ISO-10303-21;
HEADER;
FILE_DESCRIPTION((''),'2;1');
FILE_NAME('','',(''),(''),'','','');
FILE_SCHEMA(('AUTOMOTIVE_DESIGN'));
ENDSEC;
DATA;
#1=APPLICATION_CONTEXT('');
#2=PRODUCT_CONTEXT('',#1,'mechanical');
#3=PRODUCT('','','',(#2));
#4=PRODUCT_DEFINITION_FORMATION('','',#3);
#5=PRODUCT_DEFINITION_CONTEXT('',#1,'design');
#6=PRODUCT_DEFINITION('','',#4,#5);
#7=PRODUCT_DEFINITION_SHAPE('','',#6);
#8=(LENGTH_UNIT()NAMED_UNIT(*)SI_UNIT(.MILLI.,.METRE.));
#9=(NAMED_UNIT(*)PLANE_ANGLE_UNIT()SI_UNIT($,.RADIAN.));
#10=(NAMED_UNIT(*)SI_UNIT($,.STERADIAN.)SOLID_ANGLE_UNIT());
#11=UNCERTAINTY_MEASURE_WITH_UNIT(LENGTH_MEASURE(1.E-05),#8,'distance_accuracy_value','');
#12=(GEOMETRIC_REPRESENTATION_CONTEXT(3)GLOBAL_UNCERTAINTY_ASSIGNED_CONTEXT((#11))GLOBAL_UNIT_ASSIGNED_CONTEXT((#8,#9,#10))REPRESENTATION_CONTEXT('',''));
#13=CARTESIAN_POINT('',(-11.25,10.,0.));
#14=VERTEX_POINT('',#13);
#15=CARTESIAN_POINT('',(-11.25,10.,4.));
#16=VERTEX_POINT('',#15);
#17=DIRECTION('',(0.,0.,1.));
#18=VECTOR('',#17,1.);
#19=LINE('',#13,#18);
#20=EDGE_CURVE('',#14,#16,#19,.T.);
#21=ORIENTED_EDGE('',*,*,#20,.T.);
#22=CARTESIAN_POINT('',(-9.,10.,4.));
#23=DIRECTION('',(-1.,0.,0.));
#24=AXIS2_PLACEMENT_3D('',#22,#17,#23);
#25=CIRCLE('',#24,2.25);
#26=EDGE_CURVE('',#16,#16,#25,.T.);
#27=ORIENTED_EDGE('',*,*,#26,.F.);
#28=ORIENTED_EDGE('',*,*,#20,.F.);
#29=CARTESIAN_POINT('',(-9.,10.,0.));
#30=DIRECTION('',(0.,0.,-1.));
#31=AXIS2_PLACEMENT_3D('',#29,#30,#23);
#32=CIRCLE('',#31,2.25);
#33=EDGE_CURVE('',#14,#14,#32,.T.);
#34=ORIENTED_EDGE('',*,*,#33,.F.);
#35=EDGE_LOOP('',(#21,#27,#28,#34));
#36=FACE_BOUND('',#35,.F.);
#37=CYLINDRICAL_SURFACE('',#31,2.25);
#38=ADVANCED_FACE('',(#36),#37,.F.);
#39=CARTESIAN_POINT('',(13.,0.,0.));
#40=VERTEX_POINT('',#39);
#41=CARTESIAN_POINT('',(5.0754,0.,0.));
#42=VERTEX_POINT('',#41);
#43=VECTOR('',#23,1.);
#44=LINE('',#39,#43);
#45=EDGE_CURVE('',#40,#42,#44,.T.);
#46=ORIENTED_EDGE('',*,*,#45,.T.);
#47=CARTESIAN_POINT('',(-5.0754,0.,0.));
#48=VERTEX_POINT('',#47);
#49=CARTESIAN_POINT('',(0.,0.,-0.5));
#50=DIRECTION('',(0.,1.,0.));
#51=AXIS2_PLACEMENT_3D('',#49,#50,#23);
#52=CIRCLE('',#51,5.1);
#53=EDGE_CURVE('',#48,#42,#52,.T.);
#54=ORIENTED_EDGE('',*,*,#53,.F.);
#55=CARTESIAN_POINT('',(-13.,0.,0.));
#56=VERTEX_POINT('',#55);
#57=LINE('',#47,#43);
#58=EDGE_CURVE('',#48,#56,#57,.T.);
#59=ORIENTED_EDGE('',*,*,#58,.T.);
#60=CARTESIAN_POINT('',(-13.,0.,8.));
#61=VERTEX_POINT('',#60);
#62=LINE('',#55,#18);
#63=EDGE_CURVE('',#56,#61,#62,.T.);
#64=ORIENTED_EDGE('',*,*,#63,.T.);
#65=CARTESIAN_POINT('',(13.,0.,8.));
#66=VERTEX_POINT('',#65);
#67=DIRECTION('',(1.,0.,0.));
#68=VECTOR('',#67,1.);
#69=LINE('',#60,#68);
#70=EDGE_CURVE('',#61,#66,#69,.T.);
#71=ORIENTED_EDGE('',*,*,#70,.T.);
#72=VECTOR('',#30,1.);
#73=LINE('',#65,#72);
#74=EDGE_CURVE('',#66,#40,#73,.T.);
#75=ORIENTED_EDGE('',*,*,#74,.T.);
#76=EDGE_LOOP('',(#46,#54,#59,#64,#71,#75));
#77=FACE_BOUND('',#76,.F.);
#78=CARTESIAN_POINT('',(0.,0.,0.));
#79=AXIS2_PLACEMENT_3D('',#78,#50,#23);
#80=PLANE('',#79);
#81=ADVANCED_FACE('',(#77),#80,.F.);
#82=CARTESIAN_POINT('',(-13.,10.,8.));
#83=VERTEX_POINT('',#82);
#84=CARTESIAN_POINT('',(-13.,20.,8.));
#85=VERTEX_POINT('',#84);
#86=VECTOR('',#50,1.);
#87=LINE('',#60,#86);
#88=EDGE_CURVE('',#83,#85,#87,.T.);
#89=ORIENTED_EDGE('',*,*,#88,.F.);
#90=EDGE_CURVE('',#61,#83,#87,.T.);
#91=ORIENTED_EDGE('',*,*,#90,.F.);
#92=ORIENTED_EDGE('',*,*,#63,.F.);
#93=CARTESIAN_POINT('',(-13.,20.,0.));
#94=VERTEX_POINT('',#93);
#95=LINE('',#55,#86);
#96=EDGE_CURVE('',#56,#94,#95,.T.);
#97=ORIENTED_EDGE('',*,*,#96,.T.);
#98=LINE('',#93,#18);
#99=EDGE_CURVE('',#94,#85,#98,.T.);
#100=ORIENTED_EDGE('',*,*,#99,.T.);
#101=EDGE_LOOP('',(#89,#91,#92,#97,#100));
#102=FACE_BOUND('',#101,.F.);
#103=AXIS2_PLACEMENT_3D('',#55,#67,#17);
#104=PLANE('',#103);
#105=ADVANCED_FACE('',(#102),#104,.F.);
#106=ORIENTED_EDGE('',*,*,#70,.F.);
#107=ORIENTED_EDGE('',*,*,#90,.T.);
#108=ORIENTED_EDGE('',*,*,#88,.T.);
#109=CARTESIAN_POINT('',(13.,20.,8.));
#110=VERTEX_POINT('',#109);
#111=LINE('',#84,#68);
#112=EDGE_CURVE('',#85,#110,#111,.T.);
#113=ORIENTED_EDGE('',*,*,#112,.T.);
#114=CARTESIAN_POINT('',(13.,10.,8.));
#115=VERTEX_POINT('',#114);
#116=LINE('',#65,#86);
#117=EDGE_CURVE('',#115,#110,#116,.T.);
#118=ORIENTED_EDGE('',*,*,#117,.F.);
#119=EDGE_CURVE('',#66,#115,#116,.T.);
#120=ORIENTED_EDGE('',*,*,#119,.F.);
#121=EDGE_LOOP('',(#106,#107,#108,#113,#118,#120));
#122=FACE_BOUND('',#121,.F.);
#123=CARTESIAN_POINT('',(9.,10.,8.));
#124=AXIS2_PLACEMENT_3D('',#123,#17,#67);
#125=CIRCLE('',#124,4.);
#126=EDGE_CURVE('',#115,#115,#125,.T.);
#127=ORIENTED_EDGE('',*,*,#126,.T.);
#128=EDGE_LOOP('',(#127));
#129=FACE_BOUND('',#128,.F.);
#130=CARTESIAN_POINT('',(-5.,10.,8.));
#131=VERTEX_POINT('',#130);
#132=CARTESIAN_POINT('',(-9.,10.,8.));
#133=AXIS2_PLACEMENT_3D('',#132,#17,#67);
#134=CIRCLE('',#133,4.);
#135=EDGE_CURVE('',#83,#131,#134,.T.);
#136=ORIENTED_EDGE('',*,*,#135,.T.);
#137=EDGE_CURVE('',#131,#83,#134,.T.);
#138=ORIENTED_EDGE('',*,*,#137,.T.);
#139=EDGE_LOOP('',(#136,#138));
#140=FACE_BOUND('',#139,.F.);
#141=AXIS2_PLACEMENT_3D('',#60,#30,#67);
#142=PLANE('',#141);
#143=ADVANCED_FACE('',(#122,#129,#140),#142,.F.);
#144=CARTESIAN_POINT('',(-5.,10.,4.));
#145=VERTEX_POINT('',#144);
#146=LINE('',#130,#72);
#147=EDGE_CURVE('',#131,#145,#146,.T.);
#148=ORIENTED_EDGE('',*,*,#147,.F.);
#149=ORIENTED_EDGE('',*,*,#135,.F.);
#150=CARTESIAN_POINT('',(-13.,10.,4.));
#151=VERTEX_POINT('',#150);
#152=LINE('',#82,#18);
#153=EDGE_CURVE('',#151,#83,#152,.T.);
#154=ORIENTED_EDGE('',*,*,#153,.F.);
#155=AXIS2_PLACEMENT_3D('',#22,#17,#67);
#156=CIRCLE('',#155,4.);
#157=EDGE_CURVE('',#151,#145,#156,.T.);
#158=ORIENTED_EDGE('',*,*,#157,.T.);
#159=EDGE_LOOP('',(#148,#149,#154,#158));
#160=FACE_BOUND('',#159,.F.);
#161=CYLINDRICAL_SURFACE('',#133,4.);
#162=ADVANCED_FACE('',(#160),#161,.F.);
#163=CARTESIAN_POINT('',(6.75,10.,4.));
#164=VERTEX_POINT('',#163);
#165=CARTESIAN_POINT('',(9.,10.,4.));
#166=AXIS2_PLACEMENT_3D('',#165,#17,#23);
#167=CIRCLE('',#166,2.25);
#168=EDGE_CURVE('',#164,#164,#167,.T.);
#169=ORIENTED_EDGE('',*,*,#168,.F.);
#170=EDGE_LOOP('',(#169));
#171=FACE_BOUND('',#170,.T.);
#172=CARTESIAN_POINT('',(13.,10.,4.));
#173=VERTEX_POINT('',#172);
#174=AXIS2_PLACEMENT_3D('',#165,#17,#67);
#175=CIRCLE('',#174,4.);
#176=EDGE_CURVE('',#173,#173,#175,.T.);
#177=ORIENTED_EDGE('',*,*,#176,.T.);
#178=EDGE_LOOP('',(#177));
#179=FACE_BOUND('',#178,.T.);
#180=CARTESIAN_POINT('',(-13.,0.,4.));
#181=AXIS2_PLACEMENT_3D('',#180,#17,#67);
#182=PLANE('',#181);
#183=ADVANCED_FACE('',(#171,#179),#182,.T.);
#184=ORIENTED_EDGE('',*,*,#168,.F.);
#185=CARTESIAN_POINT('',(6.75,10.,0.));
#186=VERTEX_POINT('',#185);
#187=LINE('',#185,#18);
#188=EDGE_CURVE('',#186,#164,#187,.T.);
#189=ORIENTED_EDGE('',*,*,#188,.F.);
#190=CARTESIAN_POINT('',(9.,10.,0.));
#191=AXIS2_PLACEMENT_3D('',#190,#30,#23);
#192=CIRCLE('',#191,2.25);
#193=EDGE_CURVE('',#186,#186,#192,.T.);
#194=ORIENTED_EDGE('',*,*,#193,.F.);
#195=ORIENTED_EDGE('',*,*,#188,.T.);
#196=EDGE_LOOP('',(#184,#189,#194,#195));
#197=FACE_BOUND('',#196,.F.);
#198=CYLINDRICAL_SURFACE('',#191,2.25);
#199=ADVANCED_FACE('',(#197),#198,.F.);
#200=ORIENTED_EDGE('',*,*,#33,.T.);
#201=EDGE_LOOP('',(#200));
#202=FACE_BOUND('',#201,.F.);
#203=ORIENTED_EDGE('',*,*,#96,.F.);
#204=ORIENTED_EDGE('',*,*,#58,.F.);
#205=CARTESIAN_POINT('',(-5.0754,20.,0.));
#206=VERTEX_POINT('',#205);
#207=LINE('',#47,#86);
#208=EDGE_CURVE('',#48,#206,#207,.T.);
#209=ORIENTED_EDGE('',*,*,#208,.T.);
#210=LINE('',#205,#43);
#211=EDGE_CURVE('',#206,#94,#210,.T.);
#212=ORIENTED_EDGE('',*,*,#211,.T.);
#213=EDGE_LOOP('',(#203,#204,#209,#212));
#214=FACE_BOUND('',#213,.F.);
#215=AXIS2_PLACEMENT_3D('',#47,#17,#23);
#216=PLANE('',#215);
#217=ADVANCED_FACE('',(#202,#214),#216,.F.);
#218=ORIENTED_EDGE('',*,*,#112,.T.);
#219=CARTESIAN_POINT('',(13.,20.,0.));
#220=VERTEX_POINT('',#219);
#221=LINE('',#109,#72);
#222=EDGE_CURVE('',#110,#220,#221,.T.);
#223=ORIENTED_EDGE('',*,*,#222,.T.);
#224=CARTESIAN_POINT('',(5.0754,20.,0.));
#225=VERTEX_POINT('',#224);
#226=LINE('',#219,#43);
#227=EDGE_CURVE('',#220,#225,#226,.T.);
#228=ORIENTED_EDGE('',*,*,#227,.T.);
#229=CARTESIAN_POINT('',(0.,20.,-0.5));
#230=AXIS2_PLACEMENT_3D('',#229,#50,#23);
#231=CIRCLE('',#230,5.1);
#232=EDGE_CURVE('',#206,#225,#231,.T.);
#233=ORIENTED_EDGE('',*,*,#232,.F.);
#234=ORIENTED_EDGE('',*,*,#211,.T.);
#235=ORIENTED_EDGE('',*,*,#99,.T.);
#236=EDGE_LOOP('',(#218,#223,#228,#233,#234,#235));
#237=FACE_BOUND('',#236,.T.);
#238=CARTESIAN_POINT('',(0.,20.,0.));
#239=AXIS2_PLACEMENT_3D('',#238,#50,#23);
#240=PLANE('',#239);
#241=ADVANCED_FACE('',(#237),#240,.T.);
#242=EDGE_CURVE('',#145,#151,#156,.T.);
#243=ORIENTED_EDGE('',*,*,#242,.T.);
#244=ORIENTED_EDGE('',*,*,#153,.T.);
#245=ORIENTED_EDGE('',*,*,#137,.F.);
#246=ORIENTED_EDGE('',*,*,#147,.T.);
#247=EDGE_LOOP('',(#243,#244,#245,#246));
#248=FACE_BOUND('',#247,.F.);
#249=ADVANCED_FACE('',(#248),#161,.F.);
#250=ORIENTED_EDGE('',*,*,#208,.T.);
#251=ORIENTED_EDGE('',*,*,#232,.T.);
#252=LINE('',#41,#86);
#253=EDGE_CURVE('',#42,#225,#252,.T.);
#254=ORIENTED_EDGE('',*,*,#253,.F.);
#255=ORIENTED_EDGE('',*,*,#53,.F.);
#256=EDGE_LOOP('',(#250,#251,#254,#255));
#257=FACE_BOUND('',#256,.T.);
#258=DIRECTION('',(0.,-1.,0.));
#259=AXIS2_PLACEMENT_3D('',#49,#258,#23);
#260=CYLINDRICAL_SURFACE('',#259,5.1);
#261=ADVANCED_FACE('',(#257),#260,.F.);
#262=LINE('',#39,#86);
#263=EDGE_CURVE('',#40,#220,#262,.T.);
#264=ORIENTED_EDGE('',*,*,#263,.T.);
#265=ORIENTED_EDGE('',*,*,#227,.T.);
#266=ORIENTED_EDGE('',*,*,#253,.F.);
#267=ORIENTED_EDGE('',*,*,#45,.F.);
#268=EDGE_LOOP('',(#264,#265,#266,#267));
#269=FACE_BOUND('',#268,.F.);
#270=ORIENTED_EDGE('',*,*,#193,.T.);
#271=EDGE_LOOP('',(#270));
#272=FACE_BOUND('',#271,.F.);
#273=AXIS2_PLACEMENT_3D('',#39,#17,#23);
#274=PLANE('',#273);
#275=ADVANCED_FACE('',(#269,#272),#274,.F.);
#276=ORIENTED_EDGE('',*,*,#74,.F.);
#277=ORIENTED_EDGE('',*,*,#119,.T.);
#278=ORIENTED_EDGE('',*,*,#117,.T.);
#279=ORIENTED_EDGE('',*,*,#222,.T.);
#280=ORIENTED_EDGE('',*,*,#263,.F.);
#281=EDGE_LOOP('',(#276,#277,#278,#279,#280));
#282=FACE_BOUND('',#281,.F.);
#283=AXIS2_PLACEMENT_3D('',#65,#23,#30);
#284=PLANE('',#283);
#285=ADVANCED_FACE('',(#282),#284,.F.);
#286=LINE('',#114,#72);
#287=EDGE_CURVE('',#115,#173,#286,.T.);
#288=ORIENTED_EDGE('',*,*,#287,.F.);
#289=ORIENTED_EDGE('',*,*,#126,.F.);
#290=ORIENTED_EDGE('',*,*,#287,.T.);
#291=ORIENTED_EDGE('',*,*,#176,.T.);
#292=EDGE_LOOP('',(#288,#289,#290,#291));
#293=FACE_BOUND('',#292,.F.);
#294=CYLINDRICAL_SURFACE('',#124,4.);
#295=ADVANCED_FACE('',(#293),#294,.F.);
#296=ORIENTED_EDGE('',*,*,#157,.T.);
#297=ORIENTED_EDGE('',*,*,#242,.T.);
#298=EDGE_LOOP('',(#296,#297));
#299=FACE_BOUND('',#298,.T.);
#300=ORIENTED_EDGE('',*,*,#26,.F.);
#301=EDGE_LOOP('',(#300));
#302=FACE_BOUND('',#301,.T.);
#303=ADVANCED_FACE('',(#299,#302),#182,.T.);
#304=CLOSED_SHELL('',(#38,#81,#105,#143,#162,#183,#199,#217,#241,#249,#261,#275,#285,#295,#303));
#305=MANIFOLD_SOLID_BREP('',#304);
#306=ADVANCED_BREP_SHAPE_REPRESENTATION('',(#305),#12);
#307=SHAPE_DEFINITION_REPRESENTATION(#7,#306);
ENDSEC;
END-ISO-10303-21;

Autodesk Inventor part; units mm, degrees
ref_plane "YZ Plane" through (0, 0, 0) normal (1, 0, 0) x (0, 1, 0)
ref_plane "XZ Plane" through (0, 0, 0) normal (0, 1, 0) x (-1, 0, 0)
ref_plane "XY Plane" through (0, 0, 0) normal (0, 0, 1) x (1, 0, 0)
sketch "Sketch1" plane through (0, 0, 0) normal (0, 1, 0) x (-1, 0, 0)
  circle A0 centre (0, -0.5) radius 5.1
  line L0 (5.0754, 0) -> (13, 0)
  line L1 (13, 0) -> (13, 8)
  line L2 (13, 8) -> (-13, 8)
  line L3 (-13, 8) -> (-13, 0)
  line L4 (-13, 0) -> (-5.0754, 0)
  point P0 (0, 0)
  dimension "d0" = 10.2
  dimension "d1" = 0.5
  dimension "d2" = 26
  dimension "d3" = 13
  dimension "d4" = 8
extrude "Extrusion1" add sketch "Sketch1" along normal blind 20 contours A0 L4 L3 L2 L1 L0
sketch "Sketch2" plane through (-5.0754, 0, 0) normal (0, 0, -1) x (-1, 0, 0)
  line L0 (0, 0) -> (7.9246, 0) projected
  line L1 (7.9246, 0) -> (7.9246, 20) projected
  line L2 (-18.0754, 0) -> (-10.1509, 0) projected
  line L3 (-10.1509, 0) -> (-10.1509, 20) projected
  line L4 (-18.0754, 20) -> (-10.1509, 20) projected
  line L5 (-18.0754, 0) -> (-18.0754, 20) projected
  circle A0 centre (-14.0754, 10) radius 2.25
  circle A1 centre (3.9246, 10) radius 2.25
  point P0 (-5.0754, 0)
  dimension "d8" = 4.5
  dimension "d9" = 18
  dimension "d10" = 4
  dimension "d11" = 10
extrude "Extrusion2" cut sketch "Sketch2" against normal up to surface (8 mm away) contours A0 | A1
sketch "Sketch3" plane through (-13, 0, 8) normal (0, 0, 1) x (1, 0, 0)
  circle A0 centre (4, 10) radius 2.25 projected
  circle A1 centre (22, 10) radius 2.25 projected
  circle A2 centre (4, 10) radius 2.25 projected
  circle A3 centre (4, 10) radius 4
  circle A4 centre (22, 10) radius 4
  point P0 (13, 0)
  dimension "d14" = 8
extrude "Extrusion3" cut sketch "Sketch3" against normal blind 4
properties part number "ZAxisRodClampTop" material "ABS Plastic"
